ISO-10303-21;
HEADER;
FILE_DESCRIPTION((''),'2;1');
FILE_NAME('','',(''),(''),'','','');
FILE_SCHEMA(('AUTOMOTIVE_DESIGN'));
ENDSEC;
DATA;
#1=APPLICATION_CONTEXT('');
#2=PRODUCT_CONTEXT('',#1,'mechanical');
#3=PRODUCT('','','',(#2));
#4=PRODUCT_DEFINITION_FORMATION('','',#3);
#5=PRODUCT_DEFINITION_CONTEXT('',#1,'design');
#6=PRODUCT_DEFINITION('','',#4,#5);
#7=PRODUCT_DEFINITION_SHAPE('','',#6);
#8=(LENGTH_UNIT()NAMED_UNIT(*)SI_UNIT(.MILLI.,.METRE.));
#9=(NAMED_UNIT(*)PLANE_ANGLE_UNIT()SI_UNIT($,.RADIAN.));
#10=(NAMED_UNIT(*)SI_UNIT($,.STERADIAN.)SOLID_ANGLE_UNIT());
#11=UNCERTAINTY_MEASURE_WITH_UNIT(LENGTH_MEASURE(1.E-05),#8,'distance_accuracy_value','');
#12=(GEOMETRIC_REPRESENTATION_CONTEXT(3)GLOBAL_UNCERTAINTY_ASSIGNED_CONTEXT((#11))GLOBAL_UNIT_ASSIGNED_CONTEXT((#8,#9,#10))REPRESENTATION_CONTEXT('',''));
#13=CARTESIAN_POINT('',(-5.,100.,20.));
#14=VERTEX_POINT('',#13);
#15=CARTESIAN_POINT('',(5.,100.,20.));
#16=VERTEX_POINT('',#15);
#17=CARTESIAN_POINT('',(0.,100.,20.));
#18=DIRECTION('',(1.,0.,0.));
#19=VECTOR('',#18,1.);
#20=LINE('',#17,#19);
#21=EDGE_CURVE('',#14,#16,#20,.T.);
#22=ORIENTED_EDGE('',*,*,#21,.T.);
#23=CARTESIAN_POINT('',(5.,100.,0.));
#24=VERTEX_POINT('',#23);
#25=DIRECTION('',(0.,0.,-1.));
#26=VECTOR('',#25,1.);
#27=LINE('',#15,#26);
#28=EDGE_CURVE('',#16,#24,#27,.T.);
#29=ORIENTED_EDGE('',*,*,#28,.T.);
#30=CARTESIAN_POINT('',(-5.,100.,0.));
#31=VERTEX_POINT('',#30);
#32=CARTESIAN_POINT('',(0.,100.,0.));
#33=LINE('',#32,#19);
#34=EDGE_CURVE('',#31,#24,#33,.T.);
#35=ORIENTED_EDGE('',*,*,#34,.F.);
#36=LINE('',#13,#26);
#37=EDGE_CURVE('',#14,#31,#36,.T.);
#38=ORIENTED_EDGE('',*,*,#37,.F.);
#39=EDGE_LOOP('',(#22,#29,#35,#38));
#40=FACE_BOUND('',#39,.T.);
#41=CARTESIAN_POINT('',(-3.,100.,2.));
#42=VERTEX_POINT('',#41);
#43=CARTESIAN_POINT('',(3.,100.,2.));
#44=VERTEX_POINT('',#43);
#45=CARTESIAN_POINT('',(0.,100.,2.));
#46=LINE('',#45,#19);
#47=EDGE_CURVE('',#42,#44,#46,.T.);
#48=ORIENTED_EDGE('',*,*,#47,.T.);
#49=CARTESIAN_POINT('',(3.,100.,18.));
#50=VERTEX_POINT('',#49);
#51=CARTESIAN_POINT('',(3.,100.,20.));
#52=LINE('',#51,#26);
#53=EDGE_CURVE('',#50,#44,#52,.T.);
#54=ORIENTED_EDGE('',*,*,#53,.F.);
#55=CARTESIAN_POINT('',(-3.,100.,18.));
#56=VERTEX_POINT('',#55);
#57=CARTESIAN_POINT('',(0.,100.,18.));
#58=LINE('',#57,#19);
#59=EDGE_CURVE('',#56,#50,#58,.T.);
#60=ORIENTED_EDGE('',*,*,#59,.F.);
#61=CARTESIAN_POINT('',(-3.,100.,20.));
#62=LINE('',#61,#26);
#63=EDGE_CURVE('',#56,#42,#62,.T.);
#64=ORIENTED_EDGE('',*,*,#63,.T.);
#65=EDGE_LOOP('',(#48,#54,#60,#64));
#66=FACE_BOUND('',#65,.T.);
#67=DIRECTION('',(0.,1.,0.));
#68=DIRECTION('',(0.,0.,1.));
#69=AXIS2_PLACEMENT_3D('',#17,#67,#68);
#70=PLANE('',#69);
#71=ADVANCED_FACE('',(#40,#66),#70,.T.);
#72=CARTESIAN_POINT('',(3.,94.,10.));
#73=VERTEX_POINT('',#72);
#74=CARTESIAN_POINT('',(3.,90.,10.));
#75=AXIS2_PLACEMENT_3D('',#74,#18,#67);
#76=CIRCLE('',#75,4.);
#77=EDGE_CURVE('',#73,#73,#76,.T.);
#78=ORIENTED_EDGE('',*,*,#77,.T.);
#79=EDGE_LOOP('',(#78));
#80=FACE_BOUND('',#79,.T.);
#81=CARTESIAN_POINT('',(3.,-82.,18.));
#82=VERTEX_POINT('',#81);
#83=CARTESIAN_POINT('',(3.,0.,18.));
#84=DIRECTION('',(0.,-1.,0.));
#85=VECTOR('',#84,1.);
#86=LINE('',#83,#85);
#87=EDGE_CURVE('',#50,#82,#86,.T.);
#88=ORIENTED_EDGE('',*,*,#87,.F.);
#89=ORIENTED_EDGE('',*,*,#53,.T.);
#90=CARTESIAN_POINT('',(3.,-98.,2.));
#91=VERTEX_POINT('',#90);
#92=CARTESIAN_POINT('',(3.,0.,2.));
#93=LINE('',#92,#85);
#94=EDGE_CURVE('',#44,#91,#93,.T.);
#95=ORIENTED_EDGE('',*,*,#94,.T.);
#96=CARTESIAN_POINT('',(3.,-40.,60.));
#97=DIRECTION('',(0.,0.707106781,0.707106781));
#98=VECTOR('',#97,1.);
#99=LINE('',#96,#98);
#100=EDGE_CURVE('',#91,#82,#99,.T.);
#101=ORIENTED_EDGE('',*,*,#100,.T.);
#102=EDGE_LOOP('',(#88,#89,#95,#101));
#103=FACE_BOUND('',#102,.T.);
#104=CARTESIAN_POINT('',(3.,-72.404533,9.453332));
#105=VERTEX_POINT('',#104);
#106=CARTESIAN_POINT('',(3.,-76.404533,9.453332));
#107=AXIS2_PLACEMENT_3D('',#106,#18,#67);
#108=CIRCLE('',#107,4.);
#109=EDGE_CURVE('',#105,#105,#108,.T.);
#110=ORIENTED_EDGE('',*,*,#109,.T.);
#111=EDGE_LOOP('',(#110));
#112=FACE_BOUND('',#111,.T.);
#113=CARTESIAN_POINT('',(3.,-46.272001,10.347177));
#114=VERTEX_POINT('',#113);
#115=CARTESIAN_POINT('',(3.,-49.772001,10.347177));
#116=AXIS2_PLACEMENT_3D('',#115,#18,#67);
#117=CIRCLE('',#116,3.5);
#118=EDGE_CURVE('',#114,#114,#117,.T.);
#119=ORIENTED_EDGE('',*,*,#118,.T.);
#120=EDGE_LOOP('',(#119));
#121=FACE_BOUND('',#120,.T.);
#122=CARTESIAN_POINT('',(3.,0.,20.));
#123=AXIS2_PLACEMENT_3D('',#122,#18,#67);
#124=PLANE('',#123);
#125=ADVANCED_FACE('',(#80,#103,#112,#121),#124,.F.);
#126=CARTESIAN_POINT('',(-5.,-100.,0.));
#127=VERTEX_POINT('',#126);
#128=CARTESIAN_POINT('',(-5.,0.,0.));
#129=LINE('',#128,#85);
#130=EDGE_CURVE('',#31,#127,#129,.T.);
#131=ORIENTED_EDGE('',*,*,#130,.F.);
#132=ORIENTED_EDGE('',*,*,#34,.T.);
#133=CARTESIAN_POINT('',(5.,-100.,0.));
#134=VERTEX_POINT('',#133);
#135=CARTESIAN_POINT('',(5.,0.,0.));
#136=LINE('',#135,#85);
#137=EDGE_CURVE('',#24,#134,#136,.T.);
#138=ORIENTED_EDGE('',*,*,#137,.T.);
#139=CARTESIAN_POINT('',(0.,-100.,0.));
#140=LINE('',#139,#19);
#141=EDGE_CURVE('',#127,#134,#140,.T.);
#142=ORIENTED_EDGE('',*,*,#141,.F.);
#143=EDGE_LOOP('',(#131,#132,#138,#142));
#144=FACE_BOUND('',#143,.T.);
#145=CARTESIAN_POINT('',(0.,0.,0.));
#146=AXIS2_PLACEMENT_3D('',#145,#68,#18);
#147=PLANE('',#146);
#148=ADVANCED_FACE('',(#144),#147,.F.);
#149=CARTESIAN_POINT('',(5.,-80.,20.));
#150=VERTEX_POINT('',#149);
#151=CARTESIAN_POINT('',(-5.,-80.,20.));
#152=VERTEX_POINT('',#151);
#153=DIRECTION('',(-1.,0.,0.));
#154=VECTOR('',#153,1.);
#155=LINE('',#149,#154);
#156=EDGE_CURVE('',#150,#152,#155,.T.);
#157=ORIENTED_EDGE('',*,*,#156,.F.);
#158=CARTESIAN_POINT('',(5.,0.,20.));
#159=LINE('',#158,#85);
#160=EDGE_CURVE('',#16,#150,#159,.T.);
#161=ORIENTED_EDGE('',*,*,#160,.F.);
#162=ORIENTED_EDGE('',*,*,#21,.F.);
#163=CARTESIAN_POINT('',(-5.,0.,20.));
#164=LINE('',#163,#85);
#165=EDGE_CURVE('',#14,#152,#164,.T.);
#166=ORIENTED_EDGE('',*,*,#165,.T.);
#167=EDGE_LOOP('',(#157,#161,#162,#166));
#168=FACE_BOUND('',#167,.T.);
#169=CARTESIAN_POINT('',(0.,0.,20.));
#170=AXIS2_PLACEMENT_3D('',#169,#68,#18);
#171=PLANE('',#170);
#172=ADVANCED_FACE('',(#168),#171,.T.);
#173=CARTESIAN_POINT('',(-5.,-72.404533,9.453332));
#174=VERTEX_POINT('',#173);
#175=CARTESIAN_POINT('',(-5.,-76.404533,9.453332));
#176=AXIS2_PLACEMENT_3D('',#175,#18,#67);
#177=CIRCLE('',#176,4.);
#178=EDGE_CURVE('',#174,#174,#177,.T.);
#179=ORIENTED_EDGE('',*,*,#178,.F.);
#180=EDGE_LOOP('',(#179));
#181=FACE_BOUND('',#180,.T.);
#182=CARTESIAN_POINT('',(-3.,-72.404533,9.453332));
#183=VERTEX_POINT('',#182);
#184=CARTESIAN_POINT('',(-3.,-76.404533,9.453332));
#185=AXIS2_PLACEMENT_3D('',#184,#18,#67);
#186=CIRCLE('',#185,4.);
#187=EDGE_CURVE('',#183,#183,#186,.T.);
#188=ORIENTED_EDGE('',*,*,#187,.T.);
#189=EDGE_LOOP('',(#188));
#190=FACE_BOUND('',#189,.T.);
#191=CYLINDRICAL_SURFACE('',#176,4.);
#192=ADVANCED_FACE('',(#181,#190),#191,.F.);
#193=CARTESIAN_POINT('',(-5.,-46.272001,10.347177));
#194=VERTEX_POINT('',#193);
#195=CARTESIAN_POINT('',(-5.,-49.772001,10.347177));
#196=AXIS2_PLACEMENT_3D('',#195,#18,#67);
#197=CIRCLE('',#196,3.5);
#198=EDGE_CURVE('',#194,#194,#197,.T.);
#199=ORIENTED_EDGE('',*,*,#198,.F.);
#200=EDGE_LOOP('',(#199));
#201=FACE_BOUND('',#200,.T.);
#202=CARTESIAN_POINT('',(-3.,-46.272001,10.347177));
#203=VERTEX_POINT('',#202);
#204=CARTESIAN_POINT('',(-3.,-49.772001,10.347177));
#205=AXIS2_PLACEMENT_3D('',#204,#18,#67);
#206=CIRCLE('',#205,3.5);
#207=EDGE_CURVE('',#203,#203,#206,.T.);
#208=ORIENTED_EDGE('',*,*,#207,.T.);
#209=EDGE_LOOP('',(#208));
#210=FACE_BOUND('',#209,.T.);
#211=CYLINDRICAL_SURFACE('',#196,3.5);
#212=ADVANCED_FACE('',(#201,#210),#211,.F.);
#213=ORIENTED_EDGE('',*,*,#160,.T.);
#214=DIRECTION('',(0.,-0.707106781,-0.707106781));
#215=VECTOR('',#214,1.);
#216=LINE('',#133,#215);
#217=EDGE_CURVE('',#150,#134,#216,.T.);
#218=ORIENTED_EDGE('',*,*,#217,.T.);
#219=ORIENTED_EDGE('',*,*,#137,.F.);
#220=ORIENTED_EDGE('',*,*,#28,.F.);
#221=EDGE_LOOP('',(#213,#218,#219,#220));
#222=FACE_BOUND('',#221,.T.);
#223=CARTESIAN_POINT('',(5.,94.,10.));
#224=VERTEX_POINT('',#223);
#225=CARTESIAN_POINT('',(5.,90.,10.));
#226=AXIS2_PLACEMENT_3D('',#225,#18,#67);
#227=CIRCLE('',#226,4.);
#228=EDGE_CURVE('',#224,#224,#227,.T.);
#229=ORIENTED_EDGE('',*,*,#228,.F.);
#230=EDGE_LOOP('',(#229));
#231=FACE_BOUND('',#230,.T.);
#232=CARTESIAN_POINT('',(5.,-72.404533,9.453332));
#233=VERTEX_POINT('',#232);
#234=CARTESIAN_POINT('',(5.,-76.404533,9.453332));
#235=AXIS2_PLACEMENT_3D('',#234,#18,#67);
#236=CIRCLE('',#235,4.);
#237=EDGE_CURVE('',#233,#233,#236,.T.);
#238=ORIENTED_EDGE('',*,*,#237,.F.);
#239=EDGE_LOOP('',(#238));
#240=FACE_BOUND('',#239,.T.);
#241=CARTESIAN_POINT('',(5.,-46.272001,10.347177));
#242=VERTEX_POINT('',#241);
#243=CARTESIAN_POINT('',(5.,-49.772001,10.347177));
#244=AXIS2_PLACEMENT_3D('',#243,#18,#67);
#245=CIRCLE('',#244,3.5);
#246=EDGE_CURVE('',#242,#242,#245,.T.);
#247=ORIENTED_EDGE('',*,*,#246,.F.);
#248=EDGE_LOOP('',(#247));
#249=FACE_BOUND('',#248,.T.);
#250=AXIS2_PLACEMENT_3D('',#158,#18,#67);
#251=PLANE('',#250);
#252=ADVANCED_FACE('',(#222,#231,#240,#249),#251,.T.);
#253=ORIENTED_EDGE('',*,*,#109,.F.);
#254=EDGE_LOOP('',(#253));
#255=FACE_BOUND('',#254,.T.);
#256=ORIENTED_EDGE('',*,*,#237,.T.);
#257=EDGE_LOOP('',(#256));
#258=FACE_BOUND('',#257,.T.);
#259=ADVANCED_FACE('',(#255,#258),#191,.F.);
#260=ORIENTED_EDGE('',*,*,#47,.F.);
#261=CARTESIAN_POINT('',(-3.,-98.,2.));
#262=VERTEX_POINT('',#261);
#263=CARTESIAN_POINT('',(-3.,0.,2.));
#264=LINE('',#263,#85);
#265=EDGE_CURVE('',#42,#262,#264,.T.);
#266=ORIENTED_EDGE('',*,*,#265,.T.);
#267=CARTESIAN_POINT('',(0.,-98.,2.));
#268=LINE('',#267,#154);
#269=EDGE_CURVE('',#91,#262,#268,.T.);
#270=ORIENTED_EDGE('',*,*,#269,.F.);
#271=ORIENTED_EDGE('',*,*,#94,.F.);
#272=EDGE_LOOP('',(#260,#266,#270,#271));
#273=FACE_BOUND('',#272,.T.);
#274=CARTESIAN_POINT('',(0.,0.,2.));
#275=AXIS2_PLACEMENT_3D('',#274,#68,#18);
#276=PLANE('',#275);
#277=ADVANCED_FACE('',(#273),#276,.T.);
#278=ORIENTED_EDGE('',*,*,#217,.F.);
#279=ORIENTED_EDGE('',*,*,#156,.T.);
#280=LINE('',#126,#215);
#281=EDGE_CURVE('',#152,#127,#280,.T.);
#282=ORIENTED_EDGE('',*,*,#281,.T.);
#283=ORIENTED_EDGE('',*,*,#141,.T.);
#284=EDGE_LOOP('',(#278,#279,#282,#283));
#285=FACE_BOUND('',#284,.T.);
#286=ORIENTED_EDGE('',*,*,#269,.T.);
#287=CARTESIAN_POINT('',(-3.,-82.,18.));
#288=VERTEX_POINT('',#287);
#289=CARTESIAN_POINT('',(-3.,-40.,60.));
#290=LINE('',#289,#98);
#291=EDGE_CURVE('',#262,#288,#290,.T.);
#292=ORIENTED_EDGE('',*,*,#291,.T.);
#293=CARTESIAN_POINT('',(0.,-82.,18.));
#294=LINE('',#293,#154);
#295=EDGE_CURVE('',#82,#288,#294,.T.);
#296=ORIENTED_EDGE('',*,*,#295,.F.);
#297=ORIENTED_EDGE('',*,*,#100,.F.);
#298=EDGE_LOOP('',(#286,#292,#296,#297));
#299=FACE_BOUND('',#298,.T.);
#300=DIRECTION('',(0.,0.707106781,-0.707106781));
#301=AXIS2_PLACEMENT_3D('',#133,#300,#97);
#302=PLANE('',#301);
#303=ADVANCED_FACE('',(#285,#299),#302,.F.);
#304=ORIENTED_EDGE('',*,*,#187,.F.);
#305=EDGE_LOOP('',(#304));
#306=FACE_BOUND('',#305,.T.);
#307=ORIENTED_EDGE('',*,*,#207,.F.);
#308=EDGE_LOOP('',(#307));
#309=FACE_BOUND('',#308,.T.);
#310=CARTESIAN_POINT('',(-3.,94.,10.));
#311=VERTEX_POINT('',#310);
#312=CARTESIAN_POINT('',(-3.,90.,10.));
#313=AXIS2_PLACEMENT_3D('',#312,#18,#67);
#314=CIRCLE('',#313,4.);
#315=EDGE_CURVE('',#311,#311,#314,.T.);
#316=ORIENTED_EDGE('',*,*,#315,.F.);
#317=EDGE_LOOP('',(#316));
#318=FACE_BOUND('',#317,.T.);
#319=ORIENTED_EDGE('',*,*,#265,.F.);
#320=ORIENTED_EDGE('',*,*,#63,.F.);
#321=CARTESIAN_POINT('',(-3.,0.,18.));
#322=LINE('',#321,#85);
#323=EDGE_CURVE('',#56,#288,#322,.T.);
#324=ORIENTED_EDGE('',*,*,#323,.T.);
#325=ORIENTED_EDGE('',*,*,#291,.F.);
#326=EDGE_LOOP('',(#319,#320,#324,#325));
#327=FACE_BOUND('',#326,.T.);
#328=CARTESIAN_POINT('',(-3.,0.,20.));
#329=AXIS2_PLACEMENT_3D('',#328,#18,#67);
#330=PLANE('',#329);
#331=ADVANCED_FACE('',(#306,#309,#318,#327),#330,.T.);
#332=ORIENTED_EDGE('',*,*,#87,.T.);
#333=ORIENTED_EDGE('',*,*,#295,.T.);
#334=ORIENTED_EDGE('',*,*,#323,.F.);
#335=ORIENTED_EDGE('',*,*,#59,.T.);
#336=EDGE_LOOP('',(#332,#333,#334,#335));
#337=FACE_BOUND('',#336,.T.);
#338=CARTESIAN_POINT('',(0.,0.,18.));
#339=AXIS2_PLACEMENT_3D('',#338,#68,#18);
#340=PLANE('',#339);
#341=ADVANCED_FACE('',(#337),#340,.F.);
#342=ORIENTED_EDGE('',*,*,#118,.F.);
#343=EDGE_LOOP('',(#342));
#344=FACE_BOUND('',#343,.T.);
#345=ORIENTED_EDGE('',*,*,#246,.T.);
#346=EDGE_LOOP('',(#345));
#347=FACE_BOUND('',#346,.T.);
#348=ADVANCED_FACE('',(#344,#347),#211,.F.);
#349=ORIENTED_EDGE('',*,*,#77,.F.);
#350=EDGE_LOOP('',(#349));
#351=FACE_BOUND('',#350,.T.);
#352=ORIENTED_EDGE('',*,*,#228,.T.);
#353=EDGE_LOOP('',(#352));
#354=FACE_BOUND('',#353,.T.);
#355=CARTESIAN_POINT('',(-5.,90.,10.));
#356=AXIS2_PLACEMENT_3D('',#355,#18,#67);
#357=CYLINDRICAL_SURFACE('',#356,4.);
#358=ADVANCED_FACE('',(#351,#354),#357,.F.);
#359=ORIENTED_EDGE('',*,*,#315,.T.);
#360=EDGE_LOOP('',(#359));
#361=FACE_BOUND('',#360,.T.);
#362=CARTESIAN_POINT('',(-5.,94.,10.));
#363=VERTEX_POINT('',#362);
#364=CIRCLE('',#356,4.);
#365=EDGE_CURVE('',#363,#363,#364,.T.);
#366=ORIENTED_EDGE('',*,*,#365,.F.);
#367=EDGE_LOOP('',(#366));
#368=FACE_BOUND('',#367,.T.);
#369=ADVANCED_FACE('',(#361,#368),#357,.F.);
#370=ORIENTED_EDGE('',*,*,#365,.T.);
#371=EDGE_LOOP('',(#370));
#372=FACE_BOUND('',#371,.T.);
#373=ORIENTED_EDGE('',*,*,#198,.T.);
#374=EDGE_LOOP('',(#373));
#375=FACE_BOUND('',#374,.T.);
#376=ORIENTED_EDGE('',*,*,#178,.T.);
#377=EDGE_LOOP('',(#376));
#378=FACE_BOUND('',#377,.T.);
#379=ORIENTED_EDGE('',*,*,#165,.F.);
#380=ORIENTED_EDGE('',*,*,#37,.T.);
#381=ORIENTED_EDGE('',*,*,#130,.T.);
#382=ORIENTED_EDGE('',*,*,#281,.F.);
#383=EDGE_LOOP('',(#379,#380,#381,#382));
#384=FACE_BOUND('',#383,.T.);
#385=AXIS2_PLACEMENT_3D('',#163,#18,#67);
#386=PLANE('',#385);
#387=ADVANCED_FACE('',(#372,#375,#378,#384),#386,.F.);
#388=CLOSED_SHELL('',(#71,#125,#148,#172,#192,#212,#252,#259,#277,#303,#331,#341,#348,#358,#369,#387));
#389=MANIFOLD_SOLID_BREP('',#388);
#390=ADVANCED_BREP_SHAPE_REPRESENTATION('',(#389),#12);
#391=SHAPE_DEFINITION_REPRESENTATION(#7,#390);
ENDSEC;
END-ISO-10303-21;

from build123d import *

# Parameters (mm, degrees)
SKETCH1_W           = 10
SKETCH1_H           = 200
BOSS_EXTRUDE1_DEPTH = 20
SHELL1_T            = -2
CUT_EXTRUDE1_DEPTH  = 10
SKETCH4_R           = 4
CUT_EXTRUDE3_DEPTH  = 10
SKETCH5_R           = 4
SKETCH5_R_2         = 3.5
CUT_EXTRUDE4_DEPTH  = 10


with BuildPart() as part:
    # Sketch1 → Boss-Extrude1 (new body)
    with BuildSketch(Plane.XY):
        Rectangle(SKETCH1_W, SKETCH1_H)
    extrude(amount=BOSS_EXTRUDE1_DEPTH)

    # Shell1
    shell1_openings = [part.faces().sort_by_distance(p)[0] for p in [
        (0, 100, 10),
        (0, -100, 10),
    ]]
    offset(amount=SHELL1_T, openings=shell1_openings, kind=Kind.INTERSECTION)

    # Sketch2 → Cut-Extrude1 (cut)
    with BuildSketch(Plane.ZY.offset(5)):
        Polygon((0, -100), (20, -80), (20, -100), align=None)
    extrude(amount=-CUT_EXTRUDE1_DEPTH, mode=Mode.SUBTRACT)

    # Sketch4 → Cut-Extrude3 (cut)
    with BuildSketch(Plane(origin=(5, 0, 0), x_dir=(0, 0, -1), z_dir=(1, 0, 0))):
        with Locations((-10, 90)):
            Circle(SKETCH4_R)
    extrude(amount=-CUT_EXTRUDE3_DEPTH, mode=Mode.SUBTRACT)

    # Sketch5 → Cut-Extrude4 (cut)
    with BuildSketch(Plane(origin=(5, 0, 0), x_dir=(0, 0, -1), z_dir=(1, 0, 0))):
        with Locations((-9.453331646, -76.40453273)):
            Circle(SKETCH5_R)
        with Locations((-10.347176909, -49.772000632)):
            Circle(SKETCH5_R_2)
    extrude(amount=-CUT_EXTRUDE4_DEPTH, mode=Mode.SUBTRACT)


solid = part.part
